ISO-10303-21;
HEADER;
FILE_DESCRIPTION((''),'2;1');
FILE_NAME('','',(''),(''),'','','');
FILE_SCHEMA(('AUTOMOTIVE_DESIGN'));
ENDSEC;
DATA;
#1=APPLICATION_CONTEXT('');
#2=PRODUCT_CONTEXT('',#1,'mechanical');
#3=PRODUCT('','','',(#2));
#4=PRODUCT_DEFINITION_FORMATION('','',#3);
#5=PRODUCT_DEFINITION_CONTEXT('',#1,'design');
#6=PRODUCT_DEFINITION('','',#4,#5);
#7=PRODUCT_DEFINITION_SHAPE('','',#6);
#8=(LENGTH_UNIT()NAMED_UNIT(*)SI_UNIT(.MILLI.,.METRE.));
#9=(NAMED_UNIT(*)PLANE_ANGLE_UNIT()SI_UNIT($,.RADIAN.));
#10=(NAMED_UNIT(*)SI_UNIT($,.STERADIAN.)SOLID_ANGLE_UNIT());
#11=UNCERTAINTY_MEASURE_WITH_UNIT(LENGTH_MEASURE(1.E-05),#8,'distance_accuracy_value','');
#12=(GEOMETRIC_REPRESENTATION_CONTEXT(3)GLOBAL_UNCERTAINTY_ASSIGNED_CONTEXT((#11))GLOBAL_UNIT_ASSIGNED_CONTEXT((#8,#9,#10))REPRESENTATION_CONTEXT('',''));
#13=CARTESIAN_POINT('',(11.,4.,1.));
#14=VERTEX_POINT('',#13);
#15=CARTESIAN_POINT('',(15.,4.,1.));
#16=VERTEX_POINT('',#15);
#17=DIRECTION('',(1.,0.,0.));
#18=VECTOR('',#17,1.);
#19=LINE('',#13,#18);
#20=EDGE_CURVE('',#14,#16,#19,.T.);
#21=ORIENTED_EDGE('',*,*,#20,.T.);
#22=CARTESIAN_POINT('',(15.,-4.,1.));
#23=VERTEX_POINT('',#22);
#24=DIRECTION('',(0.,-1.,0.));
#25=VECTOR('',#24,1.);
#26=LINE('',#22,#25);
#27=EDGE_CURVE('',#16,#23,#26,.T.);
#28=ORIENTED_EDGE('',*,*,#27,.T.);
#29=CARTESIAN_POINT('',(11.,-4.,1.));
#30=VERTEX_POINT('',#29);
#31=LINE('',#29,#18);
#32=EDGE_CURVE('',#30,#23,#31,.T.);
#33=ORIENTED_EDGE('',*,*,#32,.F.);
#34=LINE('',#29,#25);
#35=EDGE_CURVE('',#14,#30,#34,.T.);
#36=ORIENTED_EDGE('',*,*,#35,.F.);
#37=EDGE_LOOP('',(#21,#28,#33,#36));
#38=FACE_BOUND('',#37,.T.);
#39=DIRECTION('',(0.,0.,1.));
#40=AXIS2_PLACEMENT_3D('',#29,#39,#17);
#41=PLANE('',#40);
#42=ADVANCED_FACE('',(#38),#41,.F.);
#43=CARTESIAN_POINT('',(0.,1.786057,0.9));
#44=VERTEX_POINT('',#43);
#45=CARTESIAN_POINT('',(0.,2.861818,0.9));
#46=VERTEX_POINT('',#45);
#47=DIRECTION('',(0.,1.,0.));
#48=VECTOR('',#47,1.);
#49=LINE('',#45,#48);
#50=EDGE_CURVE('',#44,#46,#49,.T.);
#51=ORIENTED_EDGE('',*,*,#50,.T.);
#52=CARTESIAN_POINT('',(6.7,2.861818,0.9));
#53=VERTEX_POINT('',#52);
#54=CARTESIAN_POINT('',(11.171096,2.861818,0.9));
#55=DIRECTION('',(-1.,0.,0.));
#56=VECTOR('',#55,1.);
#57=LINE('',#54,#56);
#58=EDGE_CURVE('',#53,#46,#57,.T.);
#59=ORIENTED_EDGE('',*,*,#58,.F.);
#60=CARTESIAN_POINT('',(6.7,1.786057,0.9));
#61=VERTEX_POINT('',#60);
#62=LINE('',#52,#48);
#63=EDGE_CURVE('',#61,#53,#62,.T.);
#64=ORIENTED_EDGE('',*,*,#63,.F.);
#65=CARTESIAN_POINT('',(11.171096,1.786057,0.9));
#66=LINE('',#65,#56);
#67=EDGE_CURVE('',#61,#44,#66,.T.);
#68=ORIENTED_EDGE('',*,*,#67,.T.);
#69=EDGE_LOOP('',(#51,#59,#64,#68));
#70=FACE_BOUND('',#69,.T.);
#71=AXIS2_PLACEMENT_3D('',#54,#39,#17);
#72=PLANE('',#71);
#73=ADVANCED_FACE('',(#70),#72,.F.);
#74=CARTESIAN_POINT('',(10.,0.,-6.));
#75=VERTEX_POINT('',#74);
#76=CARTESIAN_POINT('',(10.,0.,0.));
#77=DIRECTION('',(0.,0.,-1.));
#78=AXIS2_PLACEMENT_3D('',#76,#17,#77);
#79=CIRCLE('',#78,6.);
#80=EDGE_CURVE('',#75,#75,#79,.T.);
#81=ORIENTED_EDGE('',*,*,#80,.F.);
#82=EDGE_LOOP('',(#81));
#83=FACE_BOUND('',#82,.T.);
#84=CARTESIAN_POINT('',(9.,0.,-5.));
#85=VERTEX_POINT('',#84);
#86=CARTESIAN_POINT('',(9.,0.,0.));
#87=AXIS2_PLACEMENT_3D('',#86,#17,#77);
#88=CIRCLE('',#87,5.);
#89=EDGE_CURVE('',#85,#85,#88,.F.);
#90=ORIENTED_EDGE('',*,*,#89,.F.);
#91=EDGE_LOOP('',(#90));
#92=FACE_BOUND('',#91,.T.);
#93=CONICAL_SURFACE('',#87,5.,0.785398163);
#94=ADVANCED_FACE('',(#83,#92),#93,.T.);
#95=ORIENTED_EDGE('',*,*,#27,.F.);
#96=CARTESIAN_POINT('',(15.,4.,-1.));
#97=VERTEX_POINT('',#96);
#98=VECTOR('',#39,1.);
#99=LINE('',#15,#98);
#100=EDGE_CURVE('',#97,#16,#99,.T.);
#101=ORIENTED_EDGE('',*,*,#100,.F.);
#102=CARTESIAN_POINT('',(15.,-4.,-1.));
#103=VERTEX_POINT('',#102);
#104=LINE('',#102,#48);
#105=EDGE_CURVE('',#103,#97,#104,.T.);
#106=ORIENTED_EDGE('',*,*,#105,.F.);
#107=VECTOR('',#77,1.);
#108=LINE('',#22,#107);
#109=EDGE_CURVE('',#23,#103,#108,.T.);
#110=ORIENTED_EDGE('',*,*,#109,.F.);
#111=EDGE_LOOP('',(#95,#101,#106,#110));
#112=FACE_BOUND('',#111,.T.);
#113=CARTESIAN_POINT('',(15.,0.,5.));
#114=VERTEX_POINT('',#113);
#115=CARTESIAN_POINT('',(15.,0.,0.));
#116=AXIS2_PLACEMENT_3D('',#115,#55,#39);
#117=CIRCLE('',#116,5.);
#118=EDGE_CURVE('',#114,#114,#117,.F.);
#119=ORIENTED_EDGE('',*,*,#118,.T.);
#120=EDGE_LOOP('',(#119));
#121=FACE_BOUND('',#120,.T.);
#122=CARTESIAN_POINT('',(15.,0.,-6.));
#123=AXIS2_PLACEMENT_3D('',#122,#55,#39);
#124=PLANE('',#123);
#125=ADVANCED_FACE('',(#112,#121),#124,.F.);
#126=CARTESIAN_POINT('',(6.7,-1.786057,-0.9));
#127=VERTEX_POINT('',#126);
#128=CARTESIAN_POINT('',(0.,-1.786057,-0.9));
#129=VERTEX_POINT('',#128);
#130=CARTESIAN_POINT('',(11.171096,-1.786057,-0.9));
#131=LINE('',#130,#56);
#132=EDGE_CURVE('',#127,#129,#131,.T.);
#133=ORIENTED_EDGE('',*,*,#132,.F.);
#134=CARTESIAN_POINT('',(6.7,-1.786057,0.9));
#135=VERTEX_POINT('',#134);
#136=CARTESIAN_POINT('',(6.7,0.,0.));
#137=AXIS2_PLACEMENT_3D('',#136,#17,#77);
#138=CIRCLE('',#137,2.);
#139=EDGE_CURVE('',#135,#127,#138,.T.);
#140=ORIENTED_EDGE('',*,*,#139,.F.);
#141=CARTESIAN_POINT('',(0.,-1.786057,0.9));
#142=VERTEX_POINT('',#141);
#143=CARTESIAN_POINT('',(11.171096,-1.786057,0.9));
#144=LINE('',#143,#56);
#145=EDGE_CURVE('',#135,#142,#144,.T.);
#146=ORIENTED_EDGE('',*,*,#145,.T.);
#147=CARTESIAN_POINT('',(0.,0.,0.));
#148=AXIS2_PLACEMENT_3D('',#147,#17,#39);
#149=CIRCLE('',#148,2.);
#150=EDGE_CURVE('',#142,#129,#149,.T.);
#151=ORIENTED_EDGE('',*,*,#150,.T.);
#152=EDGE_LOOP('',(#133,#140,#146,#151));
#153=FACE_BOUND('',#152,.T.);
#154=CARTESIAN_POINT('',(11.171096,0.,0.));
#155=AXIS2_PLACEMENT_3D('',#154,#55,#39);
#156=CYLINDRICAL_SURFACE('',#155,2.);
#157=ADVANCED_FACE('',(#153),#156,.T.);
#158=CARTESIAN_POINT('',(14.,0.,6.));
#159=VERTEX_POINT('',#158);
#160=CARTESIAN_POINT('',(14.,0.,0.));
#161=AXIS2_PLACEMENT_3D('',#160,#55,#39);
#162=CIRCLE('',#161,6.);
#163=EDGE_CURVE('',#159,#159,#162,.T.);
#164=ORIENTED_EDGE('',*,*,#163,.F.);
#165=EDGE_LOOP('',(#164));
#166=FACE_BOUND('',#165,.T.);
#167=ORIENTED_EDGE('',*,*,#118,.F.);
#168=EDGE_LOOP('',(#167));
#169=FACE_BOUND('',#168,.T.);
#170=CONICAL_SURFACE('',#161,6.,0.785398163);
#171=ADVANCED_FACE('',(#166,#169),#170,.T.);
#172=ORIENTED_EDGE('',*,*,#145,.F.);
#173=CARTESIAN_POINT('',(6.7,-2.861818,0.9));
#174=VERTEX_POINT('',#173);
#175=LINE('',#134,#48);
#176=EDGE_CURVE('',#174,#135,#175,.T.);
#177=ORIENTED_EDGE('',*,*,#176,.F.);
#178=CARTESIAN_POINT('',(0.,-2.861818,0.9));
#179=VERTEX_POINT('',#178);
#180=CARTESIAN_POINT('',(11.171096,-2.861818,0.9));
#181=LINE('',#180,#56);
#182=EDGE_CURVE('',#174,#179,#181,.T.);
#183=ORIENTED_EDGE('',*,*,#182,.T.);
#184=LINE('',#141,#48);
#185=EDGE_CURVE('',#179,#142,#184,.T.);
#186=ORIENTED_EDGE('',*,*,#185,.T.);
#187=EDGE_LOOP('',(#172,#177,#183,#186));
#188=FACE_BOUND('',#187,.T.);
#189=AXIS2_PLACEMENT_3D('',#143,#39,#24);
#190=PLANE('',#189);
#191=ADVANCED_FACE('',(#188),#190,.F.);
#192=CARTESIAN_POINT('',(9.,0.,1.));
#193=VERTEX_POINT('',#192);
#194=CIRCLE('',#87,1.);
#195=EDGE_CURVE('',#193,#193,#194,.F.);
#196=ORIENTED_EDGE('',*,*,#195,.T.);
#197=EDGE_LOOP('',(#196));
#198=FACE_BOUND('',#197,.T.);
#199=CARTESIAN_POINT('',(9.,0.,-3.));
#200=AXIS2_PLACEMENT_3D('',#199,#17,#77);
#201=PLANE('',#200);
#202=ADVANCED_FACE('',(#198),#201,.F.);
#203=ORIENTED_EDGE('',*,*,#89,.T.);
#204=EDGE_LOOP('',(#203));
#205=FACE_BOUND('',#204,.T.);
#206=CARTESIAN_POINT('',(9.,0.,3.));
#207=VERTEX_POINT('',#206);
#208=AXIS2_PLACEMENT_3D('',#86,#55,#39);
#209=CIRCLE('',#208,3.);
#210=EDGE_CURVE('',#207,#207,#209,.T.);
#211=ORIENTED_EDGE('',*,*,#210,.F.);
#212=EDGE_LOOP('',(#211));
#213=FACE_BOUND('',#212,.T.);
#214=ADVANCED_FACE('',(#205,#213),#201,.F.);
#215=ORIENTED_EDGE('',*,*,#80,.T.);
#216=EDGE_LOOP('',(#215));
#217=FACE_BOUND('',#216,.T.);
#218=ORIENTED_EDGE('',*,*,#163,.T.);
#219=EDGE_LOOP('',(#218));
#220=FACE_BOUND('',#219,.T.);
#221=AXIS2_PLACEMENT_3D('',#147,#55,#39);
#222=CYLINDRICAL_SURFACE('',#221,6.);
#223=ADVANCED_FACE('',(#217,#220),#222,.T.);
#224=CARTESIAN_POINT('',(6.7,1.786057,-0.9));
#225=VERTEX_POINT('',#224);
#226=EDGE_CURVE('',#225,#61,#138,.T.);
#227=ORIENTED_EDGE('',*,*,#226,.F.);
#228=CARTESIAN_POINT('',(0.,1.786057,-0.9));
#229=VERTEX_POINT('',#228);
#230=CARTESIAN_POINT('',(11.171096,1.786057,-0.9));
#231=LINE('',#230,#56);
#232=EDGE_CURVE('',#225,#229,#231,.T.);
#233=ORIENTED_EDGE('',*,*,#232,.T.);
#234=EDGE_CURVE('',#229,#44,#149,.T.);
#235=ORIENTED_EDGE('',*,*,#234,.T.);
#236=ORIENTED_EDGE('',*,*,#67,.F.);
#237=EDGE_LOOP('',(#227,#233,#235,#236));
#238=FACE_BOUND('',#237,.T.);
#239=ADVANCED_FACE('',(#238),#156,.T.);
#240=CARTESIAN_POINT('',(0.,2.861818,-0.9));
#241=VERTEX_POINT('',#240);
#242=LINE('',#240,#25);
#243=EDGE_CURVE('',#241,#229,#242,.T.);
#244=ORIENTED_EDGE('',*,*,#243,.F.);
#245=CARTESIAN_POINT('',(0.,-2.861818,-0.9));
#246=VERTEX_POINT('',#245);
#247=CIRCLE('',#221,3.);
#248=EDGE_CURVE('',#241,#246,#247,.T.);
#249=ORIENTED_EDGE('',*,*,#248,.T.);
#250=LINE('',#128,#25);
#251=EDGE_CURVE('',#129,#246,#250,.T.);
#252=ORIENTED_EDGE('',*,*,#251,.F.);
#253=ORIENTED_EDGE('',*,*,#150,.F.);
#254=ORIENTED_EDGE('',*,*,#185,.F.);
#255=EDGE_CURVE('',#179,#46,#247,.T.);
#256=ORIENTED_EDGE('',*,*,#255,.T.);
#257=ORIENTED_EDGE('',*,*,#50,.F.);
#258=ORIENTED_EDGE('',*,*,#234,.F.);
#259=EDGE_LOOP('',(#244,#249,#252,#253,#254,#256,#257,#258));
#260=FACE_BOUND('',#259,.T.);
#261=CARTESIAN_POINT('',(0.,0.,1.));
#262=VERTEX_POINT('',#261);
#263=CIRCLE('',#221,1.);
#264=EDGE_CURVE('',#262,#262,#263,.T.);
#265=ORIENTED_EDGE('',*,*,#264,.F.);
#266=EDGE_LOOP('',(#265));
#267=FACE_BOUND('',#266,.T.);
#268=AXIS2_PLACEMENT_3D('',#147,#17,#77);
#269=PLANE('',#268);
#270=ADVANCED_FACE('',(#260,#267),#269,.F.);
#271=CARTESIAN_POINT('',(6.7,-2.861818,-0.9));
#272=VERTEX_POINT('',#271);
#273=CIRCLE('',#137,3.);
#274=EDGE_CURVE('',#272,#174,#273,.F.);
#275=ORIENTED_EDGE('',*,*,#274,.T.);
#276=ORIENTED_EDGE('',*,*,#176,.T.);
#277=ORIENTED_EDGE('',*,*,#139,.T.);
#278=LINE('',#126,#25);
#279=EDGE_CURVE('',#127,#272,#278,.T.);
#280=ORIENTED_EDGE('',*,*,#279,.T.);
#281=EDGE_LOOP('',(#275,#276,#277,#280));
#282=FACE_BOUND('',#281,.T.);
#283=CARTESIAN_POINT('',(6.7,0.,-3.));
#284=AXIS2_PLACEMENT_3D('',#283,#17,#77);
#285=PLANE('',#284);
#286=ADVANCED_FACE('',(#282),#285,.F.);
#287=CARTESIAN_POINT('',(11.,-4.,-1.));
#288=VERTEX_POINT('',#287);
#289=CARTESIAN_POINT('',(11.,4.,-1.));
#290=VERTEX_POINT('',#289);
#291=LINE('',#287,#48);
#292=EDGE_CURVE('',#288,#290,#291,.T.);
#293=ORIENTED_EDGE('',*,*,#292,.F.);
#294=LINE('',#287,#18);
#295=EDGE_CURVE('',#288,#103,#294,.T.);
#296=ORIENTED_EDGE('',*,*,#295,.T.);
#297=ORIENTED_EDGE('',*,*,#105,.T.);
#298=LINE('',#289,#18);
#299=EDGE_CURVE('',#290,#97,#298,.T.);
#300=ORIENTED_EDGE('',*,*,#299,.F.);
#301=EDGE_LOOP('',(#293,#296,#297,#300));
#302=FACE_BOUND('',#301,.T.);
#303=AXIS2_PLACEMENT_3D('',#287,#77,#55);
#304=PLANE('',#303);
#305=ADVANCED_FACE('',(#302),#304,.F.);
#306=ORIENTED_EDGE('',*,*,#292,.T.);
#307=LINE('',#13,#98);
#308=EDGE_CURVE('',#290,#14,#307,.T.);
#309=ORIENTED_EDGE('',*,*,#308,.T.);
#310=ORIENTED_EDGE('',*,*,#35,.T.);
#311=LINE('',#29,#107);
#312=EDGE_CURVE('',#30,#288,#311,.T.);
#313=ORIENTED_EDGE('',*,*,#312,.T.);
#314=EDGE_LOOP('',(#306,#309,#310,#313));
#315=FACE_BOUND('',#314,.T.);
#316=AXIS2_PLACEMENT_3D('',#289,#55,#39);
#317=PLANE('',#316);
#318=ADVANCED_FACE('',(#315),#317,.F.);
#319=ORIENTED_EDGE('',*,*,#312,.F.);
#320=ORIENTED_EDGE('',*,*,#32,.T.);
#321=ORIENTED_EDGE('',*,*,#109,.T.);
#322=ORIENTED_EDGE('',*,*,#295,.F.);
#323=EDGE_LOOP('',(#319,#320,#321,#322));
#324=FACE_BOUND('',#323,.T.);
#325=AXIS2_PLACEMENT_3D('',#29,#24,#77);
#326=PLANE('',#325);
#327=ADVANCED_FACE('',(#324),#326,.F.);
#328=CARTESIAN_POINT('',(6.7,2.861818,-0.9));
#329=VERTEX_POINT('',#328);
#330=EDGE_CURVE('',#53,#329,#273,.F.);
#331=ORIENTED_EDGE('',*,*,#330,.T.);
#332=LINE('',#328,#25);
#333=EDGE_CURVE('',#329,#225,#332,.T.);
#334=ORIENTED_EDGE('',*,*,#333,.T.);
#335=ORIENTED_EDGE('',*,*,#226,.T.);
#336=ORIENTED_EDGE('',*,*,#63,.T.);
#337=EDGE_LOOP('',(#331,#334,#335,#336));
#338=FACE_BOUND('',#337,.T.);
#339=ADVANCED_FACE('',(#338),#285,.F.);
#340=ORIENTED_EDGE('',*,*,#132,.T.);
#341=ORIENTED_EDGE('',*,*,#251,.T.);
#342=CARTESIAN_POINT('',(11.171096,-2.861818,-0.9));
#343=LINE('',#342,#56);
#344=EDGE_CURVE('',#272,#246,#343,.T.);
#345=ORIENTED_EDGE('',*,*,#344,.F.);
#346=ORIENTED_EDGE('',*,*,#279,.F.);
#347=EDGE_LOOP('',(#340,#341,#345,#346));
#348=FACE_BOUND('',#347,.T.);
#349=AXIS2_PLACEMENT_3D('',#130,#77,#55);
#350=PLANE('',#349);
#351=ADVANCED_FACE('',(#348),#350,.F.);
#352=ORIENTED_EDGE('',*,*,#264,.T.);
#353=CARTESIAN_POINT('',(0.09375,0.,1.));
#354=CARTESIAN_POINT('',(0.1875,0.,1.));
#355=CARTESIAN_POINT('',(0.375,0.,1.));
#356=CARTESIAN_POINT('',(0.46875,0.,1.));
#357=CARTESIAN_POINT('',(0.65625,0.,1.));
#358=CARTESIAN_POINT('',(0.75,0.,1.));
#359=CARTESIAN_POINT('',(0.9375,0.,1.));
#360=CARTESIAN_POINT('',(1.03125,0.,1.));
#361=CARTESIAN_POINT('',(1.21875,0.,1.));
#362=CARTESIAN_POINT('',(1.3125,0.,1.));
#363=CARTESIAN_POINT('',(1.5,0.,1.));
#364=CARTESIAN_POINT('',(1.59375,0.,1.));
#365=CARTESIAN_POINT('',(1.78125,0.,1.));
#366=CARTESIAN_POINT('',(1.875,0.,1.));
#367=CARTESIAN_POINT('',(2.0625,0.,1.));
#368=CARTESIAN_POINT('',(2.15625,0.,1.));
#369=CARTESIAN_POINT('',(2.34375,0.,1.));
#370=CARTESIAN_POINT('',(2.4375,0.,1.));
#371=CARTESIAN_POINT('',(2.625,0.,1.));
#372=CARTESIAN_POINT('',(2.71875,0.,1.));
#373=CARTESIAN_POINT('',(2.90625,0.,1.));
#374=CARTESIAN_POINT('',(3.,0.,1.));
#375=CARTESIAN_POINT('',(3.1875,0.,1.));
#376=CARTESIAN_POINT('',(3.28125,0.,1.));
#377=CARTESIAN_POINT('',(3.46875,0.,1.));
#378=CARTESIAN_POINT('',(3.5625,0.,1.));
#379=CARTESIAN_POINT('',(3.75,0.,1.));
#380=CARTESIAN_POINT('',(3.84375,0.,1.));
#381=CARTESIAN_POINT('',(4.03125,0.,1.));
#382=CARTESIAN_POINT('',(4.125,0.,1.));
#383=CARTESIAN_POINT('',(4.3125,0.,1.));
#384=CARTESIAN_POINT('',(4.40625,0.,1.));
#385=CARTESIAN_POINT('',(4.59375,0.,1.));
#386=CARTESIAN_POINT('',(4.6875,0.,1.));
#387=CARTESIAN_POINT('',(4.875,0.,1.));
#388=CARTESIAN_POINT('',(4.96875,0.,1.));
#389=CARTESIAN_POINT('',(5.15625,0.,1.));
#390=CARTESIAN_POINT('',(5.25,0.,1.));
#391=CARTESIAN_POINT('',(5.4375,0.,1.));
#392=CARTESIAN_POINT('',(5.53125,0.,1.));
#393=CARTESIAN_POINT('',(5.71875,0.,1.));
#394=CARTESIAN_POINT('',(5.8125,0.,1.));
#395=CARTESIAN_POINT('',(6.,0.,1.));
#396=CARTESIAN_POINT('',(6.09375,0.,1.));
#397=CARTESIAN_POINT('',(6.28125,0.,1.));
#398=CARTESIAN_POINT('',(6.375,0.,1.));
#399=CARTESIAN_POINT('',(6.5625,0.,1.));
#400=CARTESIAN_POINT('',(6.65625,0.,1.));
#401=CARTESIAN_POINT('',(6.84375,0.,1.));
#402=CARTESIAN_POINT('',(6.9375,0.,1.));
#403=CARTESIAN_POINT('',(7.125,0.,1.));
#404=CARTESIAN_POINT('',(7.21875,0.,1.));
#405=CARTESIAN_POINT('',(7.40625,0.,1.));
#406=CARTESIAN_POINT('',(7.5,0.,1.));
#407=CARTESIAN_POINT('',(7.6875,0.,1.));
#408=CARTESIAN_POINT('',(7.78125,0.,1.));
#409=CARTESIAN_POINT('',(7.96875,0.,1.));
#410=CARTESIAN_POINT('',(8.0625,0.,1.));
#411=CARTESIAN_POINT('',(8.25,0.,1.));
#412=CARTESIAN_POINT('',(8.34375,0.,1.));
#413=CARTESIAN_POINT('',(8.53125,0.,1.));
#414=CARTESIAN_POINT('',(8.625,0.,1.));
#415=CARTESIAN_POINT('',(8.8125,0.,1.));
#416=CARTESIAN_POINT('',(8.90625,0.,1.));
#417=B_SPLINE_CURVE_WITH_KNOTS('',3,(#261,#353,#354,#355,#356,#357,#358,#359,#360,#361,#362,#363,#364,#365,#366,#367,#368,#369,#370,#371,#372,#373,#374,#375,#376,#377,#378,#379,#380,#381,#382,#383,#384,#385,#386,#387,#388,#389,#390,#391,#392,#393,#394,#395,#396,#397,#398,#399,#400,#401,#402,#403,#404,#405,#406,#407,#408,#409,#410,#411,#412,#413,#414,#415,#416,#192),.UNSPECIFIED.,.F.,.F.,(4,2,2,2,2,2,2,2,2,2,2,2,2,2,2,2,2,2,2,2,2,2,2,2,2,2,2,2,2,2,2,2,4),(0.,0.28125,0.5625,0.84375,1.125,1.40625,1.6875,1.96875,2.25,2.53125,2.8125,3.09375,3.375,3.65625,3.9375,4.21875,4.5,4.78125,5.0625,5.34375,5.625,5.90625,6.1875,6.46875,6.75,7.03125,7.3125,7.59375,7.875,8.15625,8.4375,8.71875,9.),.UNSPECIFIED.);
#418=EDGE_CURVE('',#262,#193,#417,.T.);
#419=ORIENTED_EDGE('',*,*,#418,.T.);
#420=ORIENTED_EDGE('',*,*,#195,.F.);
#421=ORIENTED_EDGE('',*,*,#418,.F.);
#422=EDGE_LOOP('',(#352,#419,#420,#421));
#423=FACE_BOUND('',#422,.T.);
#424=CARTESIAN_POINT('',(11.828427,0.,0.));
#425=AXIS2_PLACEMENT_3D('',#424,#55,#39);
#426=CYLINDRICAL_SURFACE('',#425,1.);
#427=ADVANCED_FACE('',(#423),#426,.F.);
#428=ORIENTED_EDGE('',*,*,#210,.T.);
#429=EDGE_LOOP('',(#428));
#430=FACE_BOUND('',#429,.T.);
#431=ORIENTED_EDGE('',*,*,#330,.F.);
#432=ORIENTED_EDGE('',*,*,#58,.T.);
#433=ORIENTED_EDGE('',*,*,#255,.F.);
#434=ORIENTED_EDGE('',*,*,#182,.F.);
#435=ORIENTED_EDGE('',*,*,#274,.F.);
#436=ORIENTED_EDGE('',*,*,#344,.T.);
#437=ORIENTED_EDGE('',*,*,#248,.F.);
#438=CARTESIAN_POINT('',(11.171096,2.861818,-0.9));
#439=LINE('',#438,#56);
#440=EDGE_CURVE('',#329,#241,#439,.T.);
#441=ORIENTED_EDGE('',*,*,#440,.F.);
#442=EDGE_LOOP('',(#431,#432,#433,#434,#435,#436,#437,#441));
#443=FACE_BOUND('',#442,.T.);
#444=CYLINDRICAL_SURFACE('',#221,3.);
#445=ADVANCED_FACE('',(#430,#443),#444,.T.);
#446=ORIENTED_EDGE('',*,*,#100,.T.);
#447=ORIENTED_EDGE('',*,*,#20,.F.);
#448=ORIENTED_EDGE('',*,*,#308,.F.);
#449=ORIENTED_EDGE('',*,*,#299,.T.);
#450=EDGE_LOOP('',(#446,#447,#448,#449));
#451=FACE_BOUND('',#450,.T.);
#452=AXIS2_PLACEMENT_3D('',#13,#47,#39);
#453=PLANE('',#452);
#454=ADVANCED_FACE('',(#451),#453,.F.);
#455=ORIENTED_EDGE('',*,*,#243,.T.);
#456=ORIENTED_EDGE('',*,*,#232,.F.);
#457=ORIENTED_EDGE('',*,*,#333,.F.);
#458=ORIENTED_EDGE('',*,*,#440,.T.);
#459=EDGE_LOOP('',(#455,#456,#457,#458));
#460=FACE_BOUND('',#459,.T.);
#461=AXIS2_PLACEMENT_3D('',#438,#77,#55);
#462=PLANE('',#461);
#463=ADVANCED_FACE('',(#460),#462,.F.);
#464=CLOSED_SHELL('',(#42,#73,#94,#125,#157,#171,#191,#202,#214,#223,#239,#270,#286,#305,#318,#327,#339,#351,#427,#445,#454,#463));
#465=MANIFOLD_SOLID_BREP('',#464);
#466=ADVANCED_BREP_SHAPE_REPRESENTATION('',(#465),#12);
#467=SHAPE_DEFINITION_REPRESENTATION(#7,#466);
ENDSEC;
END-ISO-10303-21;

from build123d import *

# Parameters (mm, degrees)
SKETCH3_R          = 1
CUT_EXTRUDE1_DEPTH = 9
SKETCH4_W          = 2
SKETCH4_H          = 8
CUT_EXTRUDE2_DEPTH = 4
CHAMFER1_SIZE      = 1
CUT_EXTRUDE3_START = -6.7
CUT_EXTRUDE3_DEPTH = 6.7


with BuildPart() as part:
    # Sketch2 → Revolve1 (revolve)
    with BuildSketch(Plane(origin=(0, 0, 0), x_dir=(1, 0, 0), z_dir=(0, 1, 0)), mode=Mode.PRIVATE) as revolve1_sk:
        Polygon((0, 0), (0, 3), (9, 3), (9, 6), (15, 6), (15, 0), align=None)
    revolve(revolve1_sk.sketch.rotate(Axis((0, 0, 0), (1, 0, 0)), 180), axis=Axis((0, 0, 0), (1, 0, 0)))

    # Sketch3 → Cut-Extrude1 (cut)
    with BuildSketch(Plane.ZY):
        Circle(SKETCH3_R)
    extrude(amount=-CUT_EXTRUDE1_DEPTH, mode=Mode.SUBTRACT)

    # Sketch4 → Cut-Extrude2 (cut)
    with BuildSketch(Plane(origin=(15, 0, 0), x_dir=(0, 0, -1), z_dir=(1, 0, 0))):
        Rectangle(SKETCH4_W, SKETCH4_H)
    extrude(amount=-CUT_EXTRUDE2_DEPTH, mode=Mode.SUBTRACT)

    # Chamfer1
    chamfer1_edges = [part.edges().sort_by_distance(p)[0] for p in [
        (15, 0, -6),
        (9, 0, -6),
    ]]
    chamfer(chamfer1_edges, length=CHAMFER1_SIZE)

    # Sketch5 → Cut-Extrude3 (cut)
    with BuildSketch(Plane.ZY.offset(CUT_EXTRUDE3_START)):
        with BuildLine():
            Line((-0.9, 2.861817604), (-0.9, 1.78605711))
            ThreePointArc((-0.9, 1.78605711), (0, 2), (0.9, 1.78605711))
            Line((0.9, 1.78605711), (0.9, 2.861817604))
            ThreePointArc((0.9, 2.861817604), (0, 3), (-0.9, 2.861817604))
        make_face()
        with BuildLine():
            Line((-0.9, -1.78605711), (-0.9, -2.861817604))
            ThreePointArc((-0.9, -2.861817604), (0, -3), (0.9, -2.861817604))
            Line((0.9, -2.861817604), (0.9, -1.78605711))
            ThreePointArc((0.9, -1.78605711), (0, -2), (-0.9, -1.78605711))
        make_face()
    extrude(amount=CUT_EXTRUDE3_DEPTH, mode=Mode.SUBTRACT)


solid = part.part
